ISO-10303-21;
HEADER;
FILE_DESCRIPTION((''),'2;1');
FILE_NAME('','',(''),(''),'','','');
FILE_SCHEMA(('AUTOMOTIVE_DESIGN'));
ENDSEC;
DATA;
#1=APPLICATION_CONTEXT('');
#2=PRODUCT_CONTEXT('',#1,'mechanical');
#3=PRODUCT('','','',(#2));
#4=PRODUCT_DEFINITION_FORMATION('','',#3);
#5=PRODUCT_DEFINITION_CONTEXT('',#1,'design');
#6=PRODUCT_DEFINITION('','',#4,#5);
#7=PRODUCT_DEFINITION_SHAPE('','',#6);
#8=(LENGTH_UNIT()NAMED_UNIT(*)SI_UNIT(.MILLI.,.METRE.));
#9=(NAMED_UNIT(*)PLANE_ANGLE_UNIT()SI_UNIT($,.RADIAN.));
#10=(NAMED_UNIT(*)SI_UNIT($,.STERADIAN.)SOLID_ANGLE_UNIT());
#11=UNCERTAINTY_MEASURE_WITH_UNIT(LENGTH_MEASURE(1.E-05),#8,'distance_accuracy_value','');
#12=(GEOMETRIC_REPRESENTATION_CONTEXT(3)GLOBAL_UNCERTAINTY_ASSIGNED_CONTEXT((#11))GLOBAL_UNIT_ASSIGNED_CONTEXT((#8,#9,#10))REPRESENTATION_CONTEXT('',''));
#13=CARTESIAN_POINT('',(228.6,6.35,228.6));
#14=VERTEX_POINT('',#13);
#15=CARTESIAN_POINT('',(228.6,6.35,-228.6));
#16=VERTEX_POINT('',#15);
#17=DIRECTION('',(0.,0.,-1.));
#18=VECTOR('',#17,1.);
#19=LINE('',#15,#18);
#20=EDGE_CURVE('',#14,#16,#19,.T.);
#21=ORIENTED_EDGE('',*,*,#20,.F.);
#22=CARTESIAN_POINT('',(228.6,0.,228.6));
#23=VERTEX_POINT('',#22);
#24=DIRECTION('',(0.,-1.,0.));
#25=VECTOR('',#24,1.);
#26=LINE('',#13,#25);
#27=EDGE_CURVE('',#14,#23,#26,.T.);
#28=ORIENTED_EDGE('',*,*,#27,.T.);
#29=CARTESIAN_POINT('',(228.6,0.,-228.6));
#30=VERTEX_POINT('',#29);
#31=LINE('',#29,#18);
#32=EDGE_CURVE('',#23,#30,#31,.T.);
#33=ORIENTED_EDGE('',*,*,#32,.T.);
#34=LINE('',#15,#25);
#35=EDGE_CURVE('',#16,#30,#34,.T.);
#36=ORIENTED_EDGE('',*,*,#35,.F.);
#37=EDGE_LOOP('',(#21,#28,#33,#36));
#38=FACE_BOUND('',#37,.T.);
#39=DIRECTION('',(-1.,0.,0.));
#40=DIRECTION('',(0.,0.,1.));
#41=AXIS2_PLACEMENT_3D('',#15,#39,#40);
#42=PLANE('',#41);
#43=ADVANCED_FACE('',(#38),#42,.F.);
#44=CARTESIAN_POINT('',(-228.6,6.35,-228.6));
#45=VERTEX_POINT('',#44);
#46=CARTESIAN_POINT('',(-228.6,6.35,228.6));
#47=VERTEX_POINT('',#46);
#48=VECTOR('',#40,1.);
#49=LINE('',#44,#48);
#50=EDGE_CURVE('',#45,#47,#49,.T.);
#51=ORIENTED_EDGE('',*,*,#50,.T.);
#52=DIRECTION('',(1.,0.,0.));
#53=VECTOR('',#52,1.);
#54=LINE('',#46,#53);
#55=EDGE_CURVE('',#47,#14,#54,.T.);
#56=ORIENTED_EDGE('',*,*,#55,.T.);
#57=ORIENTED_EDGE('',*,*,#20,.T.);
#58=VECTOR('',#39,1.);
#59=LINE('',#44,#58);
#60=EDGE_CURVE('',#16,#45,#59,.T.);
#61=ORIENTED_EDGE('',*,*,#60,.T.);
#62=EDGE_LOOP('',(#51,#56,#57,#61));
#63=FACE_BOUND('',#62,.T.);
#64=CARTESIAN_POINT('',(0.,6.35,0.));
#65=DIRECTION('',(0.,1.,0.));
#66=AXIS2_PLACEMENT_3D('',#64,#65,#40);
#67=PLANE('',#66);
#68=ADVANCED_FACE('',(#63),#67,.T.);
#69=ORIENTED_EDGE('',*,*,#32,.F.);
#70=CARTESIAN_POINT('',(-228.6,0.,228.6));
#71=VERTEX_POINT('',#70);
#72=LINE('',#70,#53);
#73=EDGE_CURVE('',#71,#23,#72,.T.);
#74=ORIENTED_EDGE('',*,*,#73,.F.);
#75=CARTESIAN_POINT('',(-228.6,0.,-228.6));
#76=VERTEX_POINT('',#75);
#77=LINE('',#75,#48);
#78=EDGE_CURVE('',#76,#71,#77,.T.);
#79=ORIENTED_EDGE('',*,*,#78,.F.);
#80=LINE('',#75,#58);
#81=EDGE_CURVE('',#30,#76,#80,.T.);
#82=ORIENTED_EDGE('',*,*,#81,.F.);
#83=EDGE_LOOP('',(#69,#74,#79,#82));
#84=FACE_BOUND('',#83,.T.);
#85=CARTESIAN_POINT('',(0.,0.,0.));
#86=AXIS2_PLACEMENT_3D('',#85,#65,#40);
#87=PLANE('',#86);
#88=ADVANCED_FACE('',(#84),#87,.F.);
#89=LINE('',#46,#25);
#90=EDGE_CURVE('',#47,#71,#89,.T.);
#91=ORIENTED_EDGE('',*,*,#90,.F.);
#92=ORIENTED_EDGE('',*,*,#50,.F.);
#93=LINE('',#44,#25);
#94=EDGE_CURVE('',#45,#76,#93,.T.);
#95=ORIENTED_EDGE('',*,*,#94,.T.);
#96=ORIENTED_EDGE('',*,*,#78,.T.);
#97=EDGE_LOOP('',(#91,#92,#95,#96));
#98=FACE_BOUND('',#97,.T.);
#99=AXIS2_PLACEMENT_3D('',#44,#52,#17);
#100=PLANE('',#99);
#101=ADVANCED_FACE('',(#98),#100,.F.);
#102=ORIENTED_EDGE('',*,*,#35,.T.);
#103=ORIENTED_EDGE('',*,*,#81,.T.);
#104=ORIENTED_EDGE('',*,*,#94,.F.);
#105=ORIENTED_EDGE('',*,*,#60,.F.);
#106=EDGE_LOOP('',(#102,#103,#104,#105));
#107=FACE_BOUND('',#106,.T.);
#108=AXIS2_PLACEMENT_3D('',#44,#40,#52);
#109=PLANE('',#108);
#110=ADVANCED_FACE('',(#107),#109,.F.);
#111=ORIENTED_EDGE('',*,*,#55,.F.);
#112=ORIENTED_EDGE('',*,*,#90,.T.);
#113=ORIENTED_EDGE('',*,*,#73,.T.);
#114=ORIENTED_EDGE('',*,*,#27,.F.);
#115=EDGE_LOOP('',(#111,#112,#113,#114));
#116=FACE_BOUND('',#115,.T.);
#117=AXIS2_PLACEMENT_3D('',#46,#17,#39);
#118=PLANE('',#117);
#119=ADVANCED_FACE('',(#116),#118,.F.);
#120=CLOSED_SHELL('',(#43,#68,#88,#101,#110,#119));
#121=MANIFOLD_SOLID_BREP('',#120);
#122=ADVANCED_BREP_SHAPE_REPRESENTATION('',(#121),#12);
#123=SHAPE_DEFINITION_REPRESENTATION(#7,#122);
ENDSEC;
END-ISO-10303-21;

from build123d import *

# Parameters (mm, degrees)
SKETCH1_W           = 457.2
SKETCH1_H           = 457.2
BOSS_EXTRUDE1_DEPTH = 6.35


with BuildPart() as part:
    # Sketch1 → Boss-Extrude1 (new body)
    with BuildSketch(Plane(origin=(0, 0, 0), x_dir=(1, 0, 0), z_dir=(0, 1, 0))):
        Rectangle(SKETCH1_W, SKETCH1_H)
    extrude(amount=BOSS_EXTRUDE1_DEPTH)


solid = part.part
